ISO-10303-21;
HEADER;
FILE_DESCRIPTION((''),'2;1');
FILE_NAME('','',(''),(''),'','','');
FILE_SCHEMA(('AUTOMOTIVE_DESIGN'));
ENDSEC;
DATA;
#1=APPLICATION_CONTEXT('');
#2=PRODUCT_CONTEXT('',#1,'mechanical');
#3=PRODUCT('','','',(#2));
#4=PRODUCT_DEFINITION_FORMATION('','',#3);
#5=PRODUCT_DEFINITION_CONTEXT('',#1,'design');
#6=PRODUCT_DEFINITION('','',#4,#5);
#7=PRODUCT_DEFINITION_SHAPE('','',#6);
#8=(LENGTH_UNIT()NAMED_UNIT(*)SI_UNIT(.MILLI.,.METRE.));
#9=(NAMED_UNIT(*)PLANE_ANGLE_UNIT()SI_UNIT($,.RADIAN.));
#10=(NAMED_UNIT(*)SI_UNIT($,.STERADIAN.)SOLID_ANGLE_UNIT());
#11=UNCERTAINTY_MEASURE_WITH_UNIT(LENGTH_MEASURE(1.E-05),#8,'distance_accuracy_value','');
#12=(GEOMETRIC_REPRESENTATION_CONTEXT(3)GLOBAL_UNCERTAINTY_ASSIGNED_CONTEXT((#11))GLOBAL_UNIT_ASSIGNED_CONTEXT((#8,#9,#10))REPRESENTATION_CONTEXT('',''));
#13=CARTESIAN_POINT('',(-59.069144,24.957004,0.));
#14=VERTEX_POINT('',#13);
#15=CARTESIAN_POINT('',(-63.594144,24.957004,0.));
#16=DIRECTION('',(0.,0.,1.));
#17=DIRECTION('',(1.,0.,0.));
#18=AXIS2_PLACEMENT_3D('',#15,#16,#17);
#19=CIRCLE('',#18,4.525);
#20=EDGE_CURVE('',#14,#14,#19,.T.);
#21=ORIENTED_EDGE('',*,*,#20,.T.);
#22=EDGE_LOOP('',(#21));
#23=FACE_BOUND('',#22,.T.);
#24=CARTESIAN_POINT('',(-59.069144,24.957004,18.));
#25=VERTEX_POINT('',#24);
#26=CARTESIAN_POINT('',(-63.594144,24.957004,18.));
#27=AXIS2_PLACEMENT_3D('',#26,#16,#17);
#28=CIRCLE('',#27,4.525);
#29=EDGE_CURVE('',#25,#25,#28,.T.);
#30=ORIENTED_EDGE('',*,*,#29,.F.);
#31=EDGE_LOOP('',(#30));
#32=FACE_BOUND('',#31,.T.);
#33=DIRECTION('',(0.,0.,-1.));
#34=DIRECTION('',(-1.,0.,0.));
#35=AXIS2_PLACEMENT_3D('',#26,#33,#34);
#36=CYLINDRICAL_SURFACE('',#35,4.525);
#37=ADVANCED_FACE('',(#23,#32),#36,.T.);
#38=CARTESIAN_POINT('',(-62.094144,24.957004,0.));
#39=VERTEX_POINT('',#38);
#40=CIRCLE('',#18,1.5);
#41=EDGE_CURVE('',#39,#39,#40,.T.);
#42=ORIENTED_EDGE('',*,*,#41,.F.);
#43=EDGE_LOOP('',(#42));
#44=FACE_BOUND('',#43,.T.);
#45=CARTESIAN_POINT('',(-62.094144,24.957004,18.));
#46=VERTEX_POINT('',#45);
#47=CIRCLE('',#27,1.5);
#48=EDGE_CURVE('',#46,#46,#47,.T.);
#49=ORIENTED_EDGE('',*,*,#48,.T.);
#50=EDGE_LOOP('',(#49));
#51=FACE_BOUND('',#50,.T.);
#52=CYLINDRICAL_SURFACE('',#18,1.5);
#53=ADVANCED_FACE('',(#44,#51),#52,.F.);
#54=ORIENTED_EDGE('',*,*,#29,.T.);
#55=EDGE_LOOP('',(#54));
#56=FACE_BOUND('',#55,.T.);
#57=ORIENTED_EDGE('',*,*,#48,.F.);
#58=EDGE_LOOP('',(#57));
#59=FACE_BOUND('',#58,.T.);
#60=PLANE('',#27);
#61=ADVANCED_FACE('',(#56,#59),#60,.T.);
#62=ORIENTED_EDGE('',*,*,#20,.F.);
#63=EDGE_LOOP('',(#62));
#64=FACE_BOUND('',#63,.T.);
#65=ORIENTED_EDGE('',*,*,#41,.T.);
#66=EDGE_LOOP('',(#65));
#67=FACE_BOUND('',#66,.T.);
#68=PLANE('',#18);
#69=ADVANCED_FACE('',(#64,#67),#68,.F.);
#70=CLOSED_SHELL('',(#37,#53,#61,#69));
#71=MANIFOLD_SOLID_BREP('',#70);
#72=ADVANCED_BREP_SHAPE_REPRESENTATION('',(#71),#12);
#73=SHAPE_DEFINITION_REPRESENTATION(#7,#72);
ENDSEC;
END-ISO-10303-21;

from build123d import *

# Parameters (mm, degrees)
SKETCH1_R           = 4.525
BOSS_EXTRUDE1_DEPTH = 18
SKETCH2_R           = 1.5
CUT_EXTRUDE1_DEPTH  = 18


with BuildPart() as part:
    # Sketch1 → Boss-Extrude1 (new body)
    with BuildSketch(Plane.XY):
        with Locations((-63.594144036, 24.9570042)):
            Circle(SKETCH1_R)
    extrude(amount=BOSS_EXTRUDE1_DEPTH)

    # Sketch2 → Cut-Extrude1 (cut)
    with BuildSketch(Plane.XY.offset(18)):
        with Locations((-63.594144036, 24.9570042)):
            Circle(SKETCH2_R)
    extrude(amount=-CUT_EXTRUDE1_DEPTH, mode=Mode.SUBTRACT)


solid = part.part
